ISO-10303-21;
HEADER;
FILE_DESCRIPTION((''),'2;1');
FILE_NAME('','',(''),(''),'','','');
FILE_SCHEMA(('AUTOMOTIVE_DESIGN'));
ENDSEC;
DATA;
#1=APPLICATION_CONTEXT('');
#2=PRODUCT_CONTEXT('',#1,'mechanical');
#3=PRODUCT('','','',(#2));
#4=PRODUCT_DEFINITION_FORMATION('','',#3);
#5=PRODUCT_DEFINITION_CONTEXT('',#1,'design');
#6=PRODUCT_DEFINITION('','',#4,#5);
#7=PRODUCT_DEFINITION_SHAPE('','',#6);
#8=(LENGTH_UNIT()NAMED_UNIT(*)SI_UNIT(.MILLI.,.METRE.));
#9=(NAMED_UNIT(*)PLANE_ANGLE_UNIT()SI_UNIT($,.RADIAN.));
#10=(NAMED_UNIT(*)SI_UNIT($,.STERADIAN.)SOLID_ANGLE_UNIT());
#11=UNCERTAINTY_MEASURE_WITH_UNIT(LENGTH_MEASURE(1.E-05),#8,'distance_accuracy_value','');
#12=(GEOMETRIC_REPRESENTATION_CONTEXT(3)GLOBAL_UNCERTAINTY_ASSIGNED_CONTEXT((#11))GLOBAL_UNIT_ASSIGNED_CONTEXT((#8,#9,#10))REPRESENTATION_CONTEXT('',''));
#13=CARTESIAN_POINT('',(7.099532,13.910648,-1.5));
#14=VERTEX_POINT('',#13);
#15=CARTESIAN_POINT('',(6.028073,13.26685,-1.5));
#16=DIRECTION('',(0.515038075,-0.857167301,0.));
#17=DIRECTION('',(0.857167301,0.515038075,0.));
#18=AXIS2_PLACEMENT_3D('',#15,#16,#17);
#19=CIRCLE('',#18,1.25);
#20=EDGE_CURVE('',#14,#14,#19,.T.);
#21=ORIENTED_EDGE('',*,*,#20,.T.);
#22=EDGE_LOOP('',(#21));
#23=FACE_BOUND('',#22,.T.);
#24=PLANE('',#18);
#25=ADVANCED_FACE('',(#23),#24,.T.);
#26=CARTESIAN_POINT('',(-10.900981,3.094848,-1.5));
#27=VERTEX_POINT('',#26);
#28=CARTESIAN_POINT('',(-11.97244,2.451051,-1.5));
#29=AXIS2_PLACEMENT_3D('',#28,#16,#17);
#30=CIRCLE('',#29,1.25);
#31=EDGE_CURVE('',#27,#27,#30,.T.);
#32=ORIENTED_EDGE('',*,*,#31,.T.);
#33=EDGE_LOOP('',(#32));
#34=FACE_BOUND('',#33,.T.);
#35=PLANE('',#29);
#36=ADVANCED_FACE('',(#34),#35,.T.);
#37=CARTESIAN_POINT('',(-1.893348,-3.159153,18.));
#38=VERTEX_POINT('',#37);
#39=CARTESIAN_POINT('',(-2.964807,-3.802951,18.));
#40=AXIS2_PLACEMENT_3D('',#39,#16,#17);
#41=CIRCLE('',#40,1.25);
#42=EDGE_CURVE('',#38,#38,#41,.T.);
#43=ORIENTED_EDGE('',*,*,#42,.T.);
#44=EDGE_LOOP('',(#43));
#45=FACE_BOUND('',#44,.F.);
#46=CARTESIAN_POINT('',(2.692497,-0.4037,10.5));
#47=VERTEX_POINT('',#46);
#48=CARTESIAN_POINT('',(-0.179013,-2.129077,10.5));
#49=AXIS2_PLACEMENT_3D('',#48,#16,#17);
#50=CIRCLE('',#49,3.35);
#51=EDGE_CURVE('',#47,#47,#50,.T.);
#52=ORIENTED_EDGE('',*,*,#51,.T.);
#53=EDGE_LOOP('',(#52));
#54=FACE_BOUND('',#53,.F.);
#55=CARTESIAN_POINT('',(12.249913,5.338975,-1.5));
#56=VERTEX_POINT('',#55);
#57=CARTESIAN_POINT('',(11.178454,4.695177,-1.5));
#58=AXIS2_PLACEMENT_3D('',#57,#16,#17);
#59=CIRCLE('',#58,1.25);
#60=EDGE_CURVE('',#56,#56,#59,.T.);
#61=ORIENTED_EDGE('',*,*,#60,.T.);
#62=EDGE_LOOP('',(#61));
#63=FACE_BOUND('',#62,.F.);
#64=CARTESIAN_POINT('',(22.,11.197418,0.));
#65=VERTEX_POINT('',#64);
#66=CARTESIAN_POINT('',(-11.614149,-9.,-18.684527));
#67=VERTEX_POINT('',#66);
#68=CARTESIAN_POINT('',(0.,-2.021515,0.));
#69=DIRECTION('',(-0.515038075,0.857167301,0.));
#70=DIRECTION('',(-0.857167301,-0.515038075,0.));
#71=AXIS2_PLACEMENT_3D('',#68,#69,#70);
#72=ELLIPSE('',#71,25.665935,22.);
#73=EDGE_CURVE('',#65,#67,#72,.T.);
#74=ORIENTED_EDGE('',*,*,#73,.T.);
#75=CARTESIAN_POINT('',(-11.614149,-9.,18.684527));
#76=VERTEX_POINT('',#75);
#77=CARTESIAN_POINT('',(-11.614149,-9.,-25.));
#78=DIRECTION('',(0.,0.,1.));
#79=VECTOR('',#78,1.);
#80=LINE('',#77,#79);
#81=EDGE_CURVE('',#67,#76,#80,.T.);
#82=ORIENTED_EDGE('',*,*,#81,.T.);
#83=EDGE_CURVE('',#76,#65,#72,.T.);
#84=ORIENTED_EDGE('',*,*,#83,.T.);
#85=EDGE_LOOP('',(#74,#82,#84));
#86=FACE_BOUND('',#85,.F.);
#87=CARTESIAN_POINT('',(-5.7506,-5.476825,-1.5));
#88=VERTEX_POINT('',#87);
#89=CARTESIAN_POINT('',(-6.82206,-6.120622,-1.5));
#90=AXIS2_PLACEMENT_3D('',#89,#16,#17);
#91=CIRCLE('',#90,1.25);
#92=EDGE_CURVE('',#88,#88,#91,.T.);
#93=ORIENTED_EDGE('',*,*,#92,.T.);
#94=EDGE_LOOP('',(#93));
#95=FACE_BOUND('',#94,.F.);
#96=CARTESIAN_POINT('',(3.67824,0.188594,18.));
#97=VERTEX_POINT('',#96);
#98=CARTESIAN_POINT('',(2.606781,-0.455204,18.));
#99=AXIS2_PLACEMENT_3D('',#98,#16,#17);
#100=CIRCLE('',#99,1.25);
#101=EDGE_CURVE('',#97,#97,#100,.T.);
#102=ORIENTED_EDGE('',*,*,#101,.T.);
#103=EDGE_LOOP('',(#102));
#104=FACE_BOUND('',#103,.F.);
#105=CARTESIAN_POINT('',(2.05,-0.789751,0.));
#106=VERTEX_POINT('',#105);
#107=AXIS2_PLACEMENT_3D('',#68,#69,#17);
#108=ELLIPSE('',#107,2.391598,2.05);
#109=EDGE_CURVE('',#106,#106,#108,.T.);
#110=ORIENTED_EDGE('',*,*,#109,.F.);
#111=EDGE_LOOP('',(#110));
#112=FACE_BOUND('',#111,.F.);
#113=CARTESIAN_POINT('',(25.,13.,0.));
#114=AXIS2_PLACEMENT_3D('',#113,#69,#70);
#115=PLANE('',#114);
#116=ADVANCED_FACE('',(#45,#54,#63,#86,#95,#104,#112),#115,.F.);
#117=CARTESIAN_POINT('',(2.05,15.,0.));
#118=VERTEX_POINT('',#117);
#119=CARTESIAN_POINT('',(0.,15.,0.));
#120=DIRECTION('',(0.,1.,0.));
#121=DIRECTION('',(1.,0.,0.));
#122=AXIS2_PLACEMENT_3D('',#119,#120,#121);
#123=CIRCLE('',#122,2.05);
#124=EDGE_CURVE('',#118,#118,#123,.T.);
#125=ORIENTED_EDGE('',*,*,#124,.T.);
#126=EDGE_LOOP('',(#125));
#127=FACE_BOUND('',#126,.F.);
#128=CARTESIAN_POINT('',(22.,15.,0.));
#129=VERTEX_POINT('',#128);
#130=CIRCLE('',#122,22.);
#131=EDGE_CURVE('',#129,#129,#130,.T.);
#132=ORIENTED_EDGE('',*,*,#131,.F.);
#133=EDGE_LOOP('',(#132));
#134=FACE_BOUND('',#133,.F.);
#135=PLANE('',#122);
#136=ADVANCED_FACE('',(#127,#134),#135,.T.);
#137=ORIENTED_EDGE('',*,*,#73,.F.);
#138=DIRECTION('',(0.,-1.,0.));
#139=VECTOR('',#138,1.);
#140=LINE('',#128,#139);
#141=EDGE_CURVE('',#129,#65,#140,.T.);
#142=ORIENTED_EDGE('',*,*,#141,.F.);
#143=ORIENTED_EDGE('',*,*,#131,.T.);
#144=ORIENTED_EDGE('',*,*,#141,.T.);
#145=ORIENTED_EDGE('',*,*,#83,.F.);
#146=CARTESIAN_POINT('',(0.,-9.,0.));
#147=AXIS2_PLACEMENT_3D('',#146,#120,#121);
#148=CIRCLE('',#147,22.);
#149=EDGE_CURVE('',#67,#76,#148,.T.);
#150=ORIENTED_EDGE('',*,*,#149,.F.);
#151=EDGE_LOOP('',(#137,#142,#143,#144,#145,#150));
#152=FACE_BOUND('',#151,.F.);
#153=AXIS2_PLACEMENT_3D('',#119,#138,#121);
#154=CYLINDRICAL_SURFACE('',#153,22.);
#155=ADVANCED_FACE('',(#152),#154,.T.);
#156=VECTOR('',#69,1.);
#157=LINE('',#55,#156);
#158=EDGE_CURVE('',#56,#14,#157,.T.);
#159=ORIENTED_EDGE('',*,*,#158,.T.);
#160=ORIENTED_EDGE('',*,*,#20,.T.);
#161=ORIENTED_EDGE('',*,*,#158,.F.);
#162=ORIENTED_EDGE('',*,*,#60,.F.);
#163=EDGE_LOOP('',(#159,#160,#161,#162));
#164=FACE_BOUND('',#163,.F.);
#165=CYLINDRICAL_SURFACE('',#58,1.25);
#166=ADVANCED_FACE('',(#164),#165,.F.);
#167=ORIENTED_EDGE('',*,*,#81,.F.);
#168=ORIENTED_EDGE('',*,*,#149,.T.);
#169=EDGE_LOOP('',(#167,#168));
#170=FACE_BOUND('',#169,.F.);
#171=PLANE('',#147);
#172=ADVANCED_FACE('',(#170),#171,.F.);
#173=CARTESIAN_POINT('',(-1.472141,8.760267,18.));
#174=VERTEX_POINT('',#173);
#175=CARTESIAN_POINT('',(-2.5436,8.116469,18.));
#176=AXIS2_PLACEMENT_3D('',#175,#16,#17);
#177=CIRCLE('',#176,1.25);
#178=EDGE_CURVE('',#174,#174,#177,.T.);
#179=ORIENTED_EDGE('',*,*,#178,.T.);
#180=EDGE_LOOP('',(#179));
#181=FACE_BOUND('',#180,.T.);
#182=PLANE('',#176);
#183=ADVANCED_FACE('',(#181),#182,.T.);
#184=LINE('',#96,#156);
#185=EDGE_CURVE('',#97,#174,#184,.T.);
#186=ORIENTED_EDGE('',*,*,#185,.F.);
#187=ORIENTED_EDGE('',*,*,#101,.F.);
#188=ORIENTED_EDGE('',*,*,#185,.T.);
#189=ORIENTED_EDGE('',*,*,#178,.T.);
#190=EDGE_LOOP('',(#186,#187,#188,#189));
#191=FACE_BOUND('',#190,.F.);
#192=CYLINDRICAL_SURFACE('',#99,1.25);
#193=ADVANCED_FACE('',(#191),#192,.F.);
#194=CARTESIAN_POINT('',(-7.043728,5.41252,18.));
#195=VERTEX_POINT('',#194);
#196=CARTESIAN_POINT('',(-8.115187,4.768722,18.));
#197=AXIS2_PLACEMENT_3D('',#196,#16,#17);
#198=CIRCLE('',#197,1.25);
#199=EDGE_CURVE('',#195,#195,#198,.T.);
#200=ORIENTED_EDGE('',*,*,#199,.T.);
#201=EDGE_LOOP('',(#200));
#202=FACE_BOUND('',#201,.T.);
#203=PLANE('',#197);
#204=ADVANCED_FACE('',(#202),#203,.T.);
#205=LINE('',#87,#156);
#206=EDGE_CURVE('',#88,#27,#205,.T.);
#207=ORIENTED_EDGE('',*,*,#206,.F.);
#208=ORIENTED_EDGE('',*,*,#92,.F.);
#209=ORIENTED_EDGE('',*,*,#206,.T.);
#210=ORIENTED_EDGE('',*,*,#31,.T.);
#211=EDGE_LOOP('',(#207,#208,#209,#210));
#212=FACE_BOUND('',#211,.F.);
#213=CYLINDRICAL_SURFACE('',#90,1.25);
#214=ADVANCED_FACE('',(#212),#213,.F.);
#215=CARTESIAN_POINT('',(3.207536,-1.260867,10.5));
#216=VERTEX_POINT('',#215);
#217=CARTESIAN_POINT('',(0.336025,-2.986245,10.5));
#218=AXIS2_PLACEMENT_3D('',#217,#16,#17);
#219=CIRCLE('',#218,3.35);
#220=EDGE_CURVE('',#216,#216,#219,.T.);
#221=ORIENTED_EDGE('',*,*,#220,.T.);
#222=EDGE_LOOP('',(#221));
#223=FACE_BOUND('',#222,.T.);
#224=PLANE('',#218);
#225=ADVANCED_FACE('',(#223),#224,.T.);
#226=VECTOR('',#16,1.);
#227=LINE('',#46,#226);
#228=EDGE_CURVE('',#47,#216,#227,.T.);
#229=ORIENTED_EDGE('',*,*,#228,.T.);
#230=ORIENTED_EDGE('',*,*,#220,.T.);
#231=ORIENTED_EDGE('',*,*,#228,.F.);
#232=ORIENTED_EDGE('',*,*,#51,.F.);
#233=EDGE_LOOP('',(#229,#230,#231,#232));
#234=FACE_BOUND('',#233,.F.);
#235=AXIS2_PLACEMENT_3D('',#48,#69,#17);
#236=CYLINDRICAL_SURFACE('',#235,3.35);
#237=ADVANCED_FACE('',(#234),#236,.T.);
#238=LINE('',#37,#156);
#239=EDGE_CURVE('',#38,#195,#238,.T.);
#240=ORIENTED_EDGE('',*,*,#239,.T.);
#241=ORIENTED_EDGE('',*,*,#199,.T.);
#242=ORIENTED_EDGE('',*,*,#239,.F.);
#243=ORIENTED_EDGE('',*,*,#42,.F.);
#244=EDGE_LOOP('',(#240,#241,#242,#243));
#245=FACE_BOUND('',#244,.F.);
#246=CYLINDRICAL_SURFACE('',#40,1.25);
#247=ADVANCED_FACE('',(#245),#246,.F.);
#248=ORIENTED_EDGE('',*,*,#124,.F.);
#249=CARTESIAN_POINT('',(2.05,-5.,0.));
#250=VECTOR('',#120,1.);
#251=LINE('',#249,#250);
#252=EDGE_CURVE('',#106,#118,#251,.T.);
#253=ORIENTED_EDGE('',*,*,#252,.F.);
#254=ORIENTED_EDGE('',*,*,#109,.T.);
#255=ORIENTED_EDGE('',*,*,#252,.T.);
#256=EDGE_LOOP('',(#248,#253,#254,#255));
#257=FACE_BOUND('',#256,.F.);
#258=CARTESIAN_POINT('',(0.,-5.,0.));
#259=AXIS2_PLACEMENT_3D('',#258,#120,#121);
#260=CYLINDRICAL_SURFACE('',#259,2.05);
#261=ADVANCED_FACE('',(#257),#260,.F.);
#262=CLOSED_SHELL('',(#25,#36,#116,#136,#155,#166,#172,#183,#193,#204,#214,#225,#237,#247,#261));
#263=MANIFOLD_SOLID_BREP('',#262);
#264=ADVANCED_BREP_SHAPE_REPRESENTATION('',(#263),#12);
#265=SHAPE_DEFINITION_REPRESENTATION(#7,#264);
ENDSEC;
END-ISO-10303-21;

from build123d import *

# Parameters (mm, degrees)
PAD_DEPTH    = 25
SKETCH003_R  = 1.25
POCKET_DEPTH = 10
SKETCH004_R  = 3.35
PAD001_DEPTH = 1


with BuildPart() as pad:
    # Sketch002 → Pad (new body, symmetric)
    with BuildSketch(Plane.XY):
        Polygon((25, 13), (-11.6141486117, -9), (25, -9), align=None)
    extrude(amount=PAD_DEPTH, both=True)


with BuildPart() as pad001:
    # Sketch001 → Revolution001 (revolve)
    with BuildSketch(Plane.XY):
        Polygon((0, -9), (0, -5), (2.05, -5), (2.05, 15), (22, 15), (22, -9), align=None)
    revolve(axis=Axis((0, 0, 0), (0, 1, 0)))

    # Cut: cut Pad
    add(pad.part, mode=Mode.SUBTRACT)

    # Sketch003 → Pocket (cut)
    with BuildSketch(Plane(origin=(0.8924461116, -1.4852797526, 0), x_dir=(0.8571673007, 0.5150380749, 0), z_dir=(0.5150380749, -0.8571673007, 0))):
        with Locations((-4.5, 18)):
            Circle(SKETCH003_R)
        with Locations((2, 18)):
            Circle(SKETCH003_R)
        with Locations((12, -1.5)):
            Circle(SKETCH003_R)
        with Locations((-9, -1.5)):
            Circle(SKETCH003_R)
    extrude(amount=-POCKET_DEPTH, mode=Mode.SUBTRACT)

    # Sketch004 → Pad001 (new body)
    with BuildSketch(Plane(origin=(0.8924461116, -1.4852797526, 0), x_dir=(0.8571673007, 0.5150380749, 0), z_dir=(0.5150380749, -0.8571673007, 0))):
        with Locations((-1.25, 10.5)):
            Circle(SKETCH004_R)
    extrude(amount=PAD001_DEPTH)


solid = pad001.part
